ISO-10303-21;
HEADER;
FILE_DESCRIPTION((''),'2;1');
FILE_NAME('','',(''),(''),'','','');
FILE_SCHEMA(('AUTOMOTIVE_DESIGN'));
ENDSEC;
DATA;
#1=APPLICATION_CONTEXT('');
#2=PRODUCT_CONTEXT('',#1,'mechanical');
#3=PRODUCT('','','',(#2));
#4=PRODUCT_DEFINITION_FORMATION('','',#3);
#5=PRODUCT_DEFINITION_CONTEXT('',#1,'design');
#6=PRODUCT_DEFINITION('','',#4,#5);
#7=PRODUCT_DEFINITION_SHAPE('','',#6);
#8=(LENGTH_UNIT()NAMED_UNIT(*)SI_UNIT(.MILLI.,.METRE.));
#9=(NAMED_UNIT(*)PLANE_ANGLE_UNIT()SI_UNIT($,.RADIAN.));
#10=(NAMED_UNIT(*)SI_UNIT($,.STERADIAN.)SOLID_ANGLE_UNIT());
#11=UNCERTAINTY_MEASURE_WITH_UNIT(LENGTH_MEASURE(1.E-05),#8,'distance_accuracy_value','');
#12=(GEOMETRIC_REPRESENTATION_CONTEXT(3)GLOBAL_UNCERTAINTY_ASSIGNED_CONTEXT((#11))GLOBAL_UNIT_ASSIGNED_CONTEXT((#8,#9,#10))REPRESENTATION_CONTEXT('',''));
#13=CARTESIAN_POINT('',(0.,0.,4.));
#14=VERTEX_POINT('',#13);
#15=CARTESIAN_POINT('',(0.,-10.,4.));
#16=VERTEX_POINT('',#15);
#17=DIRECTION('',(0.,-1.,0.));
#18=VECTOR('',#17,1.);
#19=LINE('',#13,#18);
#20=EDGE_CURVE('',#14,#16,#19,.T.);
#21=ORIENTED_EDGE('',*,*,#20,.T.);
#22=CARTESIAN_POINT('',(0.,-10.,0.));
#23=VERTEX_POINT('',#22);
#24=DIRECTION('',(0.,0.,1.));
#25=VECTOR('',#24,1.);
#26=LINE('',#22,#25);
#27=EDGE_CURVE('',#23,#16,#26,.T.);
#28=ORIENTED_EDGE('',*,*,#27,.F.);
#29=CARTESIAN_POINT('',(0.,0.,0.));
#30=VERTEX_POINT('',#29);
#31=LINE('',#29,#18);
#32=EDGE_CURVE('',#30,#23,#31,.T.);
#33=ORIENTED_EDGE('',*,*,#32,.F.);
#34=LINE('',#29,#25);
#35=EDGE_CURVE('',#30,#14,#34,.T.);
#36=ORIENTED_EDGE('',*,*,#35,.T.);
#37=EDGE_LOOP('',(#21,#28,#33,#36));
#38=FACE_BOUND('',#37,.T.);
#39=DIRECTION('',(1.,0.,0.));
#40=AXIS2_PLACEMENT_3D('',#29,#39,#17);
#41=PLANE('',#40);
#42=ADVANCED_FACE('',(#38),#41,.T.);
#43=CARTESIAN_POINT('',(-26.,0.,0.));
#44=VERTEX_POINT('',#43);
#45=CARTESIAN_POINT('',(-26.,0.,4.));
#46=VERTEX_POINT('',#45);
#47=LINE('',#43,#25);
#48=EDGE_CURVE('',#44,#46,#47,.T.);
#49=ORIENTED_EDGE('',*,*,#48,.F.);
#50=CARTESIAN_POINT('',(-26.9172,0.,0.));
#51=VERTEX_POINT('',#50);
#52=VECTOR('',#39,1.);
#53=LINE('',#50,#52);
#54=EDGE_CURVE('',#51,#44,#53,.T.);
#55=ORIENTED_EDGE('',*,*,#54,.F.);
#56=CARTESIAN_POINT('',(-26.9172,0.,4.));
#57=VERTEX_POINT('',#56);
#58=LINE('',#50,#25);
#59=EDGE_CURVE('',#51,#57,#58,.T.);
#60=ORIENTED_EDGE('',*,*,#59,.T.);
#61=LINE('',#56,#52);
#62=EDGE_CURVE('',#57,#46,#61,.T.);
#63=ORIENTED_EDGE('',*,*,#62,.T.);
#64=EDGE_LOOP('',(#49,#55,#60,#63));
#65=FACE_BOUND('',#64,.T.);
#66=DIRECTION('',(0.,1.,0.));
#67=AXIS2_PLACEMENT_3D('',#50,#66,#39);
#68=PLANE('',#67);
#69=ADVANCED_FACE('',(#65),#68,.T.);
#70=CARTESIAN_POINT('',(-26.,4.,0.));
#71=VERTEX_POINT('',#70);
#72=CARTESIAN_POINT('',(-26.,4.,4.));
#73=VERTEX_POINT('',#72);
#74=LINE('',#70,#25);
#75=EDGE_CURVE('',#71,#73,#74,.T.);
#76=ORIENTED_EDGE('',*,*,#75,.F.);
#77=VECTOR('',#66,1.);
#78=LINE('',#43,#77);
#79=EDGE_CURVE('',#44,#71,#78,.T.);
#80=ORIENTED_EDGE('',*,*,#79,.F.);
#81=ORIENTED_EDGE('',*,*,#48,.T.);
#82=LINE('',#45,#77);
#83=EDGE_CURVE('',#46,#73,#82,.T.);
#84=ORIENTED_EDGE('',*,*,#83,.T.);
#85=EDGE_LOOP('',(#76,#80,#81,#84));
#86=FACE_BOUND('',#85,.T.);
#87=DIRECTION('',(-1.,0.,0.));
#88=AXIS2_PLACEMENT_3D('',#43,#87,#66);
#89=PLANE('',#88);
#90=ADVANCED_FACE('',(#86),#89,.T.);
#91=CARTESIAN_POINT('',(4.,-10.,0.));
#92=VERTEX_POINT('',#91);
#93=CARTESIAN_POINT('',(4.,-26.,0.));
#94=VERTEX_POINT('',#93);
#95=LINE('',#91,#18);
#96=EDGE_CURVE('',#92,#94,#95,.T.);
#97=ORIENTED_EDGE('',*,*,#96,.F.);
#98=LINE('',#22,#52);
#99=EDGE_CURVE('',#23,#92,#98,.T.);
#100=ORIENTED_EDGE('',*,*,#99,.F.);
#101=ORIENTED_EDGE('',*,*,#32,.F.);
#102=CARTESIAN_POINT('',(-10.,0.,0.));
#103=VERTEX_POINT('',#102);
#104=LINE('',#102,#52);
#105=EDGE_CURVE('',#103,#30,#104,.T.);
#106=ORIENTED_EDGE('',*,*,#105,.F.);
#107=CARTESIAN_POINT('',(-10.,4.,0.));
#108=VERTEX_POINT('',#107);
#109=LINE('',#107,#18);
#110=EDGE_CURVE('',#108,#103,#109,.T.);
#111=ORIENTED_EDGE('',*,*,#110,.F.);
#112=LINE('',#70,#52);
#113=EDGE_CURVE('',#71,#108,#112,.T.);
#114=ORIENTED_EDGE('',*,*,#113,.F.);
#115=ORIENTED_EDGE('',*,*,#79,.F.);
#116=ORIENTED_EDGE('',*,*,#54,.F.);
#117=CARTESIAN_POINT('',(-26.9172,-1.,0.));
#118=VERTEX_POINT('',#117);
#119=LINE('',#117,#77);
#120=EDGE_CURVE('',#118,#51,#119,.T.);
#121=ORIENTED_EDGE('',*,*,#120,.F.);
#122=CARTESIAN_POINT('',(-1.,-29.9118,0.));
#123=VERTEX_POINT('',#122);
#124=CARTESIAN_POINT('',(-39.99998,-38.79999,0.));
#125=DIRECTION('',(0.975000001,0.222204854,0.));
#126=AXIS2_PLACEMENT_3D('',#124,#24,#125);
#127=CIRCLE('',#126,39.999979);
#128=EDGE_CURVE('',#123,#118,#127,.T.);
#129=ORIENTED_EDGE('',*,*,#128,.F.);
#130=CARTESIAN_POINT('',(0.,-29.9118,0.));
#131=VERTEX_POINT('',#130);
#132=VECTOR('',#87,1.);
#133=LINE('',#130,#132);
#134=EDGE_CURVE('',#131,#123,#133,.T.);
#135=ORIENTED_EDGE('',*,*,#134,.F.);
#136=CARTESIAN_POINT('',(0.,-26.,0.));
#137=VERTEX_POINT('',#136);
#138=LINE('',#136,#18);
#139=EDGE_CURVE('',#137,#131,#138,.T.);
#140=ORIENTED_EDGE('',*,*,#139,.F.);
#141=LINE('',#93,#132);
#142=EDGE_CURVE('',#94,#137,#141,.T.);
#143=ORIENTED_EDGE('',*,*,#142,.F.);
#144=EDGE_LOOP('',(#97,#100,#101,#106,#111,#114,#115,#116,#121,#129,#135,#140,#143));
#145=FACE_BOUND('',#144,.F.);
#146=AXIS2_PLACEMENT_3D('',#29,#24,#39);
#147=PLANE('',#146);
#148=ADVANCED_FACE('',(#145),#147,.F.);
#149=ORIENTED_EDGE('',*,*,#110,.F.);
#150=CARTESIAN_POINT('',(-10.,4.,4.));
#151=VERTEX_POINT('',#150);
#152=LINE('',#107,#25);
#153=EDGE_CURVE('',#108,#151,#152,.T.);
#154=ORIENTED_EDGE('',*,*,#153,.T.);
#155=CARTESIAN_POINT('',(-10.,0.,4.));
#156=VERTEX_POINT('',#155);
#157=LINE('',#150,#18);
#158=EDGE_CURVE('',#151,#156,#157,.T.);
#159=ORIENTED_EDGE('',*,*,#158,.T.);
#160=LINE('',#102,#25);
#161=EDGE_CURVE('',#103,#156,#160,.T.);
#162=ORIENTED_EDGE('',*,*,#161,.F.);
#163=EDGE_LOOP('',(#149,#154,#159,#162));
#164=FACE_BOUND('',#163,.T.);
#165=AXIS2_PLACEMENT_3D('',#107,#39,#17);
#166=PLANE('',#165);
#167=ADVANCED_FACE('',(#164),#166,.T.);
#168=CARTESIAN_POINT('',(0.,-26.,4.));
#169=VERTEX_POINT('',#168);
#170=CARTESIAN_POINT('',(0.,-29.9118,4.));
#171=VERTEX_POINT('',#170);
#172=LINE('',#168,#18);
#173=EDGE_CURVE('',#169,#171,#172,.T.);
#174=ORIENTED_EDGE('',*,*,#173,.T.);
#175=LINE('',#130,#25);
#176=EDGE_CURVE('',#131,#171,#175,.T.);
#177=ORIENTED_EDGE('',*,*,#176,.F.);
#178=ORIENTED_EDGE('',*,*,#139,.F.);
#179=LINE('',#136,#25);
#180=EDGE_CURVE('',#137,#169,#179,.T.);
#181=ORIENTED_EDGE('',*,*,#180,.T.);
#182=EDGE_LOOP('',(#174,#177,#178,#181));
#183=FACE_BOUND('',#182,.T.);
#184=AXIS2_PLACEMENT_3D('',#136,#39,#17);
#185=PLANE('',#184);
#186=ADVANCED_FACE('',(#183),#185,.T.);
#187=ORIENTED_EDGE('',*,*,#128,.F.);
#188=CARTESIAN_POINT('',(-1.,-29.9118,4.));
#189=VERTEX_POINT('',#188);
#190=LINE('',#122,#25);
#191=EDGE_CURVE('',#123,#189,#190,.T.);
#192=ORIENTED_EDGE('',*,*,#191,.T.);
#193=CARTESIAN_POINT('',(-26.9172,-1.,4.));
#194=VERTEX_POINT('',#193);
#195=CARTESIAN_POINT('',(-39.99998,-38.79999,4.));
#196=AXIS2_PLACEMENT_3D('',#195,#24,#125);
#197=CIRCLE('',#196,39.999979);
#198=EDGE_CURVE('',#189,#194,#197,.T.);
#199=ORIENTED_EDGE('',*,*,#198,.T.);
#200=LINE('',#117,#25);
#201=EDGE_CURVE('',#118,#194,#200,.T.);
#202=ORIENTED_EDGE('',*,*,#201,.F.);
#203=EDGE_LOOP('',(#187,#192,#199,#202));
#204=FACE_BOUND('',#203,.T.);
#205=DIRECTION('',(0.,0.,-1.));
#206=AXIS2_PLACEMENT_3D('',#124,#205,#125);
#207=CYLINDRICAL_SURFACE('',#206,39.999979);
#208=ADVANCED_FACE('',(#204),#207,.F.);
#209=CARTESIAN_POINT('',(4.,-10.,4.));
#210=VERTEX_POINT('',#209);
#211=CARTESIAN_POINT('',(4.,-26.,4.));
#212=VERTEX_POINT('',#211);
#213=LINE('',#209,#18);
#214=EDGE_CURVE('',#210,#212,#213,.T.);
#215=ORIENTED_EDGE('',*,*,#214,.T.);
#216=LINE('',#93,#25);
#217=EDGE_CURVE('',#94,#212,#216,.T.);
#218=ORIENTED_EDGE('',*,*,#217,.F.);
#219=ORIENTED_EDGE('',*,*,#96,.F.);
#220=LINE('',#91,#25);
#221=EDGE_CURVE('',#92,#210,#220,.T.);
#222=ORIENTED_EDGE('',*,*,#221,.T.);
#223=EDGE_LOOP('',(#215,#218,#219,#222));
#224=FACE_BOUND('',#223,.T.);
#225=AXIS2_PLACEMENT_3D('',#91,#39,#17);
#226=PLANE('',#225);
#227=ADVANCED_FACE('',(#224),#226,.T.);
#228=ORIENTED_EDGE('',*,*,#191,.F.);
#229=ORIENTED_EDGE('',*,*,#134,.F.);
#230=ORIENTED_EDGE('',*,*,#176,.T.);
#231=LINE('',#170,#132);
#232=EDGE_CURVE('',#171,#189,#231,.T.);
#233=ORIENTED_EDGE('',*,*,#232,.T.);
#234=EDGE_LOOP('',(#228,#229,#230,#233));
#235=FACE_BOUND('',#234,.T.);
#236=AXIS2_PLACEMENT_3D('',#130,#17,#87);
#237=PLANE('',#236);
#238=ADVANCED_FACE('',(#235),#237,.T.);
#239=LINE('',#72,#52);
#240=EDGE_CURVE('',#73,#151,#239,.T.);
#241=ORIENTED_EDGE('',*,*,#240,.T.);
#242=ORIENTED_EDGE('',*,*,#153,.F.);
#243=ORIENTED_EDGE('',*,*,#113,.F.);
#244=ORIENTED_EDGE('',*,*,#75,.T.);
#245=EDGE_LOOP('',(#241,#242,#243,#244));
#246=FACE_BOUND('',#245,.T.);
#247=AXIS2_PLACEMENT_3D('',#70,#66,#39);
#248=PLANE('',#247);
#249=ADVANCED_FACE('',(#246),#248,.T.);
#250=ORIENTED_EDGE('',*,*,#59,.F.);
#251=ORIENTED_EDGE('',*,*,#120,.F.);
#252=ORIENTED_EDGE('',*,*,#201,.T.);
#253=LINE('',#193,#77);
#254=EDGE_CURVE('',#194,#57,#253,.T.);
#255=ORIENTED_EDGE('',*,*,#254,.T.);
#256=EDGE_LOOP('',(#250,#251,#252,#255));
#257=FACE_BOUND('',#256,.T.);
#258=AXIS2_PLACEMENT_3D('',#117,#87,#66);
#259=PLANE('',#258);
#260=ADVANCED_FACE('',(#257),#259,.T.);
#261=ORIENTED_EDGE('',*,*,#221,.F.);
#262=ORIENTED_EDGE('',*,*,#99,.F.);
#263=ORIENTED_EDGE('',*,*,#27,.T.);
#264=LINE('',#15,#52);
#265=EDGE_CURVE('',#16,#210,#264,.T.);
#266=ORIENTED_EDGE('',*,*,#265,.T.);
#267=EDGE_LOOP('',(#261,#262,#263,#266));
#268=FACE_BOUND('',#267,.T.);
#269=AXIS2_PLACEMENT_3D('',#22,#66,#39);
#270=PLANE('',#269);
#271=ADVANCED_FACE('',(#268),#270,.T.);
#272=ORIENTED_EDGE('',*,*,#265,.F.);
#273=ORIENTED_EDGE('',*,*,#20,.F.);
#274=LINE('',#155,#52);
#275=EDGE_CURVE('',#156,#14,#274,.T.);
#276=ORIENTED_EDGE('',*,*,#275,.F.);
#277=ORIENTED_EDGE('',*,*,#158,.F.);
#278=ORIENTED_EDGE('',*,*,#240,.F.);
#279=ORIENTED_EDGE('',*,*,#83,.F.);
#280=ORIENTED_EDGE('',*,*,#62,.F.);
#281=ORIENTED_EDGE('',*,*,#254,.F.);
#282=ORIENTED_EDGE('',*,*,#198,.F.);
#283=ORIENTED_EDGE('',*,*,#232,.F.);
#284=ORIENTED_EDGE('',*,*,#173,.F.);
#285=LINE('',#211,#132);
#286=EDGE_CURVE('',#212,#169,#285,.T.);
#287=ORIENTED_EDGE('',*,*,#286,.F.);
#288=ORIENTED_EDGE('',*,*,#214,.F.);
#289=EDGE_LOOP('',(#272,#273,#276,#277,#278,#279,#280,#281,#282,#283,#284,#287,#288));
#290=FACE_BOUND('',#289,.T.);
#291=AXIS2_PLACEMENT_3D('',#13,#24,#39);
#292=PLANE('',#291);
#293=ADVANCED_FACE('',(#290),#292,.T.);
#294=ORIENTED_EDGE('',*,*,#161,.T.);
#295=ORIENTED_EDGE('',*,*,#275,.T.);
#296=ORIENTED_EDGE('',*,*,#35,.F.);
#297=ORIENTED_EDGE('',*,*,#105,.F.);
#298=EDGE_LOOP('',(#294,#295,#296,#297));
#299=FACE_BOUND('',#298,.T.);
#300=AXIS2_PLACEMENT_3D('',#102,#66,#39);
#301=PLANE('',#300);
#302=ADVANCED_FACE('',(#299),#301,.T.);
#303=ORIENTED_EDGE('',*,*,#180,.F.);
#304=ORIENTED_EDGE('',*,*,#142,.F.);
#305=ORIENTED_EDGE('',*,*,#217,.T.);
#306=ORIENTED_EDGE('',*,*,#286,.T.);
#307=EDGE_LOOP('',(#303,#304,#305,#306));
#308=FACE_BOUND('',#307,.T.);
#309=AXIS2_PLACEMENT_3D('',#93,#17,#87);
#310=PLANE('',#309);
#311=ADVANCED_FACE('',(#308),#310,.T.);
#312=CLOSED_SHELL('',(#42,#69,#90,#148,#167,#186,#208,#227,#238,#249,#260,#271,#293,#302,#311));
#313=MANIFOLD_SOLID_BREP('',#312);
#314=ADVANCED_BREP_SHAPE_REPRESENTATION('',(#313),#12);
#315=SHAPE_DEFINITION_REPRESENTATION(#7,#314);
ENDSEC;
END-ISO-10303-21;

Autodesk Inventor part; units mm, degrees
ref_plane "YZ Plane" through (0, 0, 0) normal (1, 0, 0) x (0, 1, 0)
ref_plane "XZ Plane" through (0, 0, 0) normal (0, 1, 0) x (-1, 0, 0)
ref_plane "XY Plane" through (0, 0, 0) normal (0, 0, 1) x (1, 0, 0)
sketch "Эскиз1" plane through (0, 0, 0) normal (0, 0, 1) x (1, 0, 0)
  line L0 (0, 0) -> (0, -10)
  line L1 (0, -10) -> (4, -10)
  line L2 (4, -10) -> (4, -26)
  line L3 (4, -26) -> (0, -26)
  line L4 (0, -26) -> (0, -29.9118)
  line L5 (0, -29.9118) -> (-1, -29.9118)
  arc A0 (-1, -29.9118) -> (-26.9172, -1) centre (-40, -38.8) ccw
  line L6 (-26.9172, -1) -> (-26.9172, 0)
  line L7 (-26.9172, 0) -> (-26, 0)
  line L8 (-26, 0) -> (-26, 4)
  line L9 (-26, 4) -> (-10, 4)
  line L10 (-10, 4) -> (-10, 0)
  line L11 (-10, 0) -> (0, 0)
  dimension "d0" = 40
  dimension "d1" = 1
  dimension "d3" = 38.8
  dimension "d4" = 4
  dimension "d5" = 40
  dimension "d6" = 16
  dimension "d7" = 10
  dimension "d8" = 16
  dimension "d9" = 10
extrude "Выдавливание1" add sketch "Эскиз1" along normal blind 4
properties part number "protector" material "Дерево (береза)"
